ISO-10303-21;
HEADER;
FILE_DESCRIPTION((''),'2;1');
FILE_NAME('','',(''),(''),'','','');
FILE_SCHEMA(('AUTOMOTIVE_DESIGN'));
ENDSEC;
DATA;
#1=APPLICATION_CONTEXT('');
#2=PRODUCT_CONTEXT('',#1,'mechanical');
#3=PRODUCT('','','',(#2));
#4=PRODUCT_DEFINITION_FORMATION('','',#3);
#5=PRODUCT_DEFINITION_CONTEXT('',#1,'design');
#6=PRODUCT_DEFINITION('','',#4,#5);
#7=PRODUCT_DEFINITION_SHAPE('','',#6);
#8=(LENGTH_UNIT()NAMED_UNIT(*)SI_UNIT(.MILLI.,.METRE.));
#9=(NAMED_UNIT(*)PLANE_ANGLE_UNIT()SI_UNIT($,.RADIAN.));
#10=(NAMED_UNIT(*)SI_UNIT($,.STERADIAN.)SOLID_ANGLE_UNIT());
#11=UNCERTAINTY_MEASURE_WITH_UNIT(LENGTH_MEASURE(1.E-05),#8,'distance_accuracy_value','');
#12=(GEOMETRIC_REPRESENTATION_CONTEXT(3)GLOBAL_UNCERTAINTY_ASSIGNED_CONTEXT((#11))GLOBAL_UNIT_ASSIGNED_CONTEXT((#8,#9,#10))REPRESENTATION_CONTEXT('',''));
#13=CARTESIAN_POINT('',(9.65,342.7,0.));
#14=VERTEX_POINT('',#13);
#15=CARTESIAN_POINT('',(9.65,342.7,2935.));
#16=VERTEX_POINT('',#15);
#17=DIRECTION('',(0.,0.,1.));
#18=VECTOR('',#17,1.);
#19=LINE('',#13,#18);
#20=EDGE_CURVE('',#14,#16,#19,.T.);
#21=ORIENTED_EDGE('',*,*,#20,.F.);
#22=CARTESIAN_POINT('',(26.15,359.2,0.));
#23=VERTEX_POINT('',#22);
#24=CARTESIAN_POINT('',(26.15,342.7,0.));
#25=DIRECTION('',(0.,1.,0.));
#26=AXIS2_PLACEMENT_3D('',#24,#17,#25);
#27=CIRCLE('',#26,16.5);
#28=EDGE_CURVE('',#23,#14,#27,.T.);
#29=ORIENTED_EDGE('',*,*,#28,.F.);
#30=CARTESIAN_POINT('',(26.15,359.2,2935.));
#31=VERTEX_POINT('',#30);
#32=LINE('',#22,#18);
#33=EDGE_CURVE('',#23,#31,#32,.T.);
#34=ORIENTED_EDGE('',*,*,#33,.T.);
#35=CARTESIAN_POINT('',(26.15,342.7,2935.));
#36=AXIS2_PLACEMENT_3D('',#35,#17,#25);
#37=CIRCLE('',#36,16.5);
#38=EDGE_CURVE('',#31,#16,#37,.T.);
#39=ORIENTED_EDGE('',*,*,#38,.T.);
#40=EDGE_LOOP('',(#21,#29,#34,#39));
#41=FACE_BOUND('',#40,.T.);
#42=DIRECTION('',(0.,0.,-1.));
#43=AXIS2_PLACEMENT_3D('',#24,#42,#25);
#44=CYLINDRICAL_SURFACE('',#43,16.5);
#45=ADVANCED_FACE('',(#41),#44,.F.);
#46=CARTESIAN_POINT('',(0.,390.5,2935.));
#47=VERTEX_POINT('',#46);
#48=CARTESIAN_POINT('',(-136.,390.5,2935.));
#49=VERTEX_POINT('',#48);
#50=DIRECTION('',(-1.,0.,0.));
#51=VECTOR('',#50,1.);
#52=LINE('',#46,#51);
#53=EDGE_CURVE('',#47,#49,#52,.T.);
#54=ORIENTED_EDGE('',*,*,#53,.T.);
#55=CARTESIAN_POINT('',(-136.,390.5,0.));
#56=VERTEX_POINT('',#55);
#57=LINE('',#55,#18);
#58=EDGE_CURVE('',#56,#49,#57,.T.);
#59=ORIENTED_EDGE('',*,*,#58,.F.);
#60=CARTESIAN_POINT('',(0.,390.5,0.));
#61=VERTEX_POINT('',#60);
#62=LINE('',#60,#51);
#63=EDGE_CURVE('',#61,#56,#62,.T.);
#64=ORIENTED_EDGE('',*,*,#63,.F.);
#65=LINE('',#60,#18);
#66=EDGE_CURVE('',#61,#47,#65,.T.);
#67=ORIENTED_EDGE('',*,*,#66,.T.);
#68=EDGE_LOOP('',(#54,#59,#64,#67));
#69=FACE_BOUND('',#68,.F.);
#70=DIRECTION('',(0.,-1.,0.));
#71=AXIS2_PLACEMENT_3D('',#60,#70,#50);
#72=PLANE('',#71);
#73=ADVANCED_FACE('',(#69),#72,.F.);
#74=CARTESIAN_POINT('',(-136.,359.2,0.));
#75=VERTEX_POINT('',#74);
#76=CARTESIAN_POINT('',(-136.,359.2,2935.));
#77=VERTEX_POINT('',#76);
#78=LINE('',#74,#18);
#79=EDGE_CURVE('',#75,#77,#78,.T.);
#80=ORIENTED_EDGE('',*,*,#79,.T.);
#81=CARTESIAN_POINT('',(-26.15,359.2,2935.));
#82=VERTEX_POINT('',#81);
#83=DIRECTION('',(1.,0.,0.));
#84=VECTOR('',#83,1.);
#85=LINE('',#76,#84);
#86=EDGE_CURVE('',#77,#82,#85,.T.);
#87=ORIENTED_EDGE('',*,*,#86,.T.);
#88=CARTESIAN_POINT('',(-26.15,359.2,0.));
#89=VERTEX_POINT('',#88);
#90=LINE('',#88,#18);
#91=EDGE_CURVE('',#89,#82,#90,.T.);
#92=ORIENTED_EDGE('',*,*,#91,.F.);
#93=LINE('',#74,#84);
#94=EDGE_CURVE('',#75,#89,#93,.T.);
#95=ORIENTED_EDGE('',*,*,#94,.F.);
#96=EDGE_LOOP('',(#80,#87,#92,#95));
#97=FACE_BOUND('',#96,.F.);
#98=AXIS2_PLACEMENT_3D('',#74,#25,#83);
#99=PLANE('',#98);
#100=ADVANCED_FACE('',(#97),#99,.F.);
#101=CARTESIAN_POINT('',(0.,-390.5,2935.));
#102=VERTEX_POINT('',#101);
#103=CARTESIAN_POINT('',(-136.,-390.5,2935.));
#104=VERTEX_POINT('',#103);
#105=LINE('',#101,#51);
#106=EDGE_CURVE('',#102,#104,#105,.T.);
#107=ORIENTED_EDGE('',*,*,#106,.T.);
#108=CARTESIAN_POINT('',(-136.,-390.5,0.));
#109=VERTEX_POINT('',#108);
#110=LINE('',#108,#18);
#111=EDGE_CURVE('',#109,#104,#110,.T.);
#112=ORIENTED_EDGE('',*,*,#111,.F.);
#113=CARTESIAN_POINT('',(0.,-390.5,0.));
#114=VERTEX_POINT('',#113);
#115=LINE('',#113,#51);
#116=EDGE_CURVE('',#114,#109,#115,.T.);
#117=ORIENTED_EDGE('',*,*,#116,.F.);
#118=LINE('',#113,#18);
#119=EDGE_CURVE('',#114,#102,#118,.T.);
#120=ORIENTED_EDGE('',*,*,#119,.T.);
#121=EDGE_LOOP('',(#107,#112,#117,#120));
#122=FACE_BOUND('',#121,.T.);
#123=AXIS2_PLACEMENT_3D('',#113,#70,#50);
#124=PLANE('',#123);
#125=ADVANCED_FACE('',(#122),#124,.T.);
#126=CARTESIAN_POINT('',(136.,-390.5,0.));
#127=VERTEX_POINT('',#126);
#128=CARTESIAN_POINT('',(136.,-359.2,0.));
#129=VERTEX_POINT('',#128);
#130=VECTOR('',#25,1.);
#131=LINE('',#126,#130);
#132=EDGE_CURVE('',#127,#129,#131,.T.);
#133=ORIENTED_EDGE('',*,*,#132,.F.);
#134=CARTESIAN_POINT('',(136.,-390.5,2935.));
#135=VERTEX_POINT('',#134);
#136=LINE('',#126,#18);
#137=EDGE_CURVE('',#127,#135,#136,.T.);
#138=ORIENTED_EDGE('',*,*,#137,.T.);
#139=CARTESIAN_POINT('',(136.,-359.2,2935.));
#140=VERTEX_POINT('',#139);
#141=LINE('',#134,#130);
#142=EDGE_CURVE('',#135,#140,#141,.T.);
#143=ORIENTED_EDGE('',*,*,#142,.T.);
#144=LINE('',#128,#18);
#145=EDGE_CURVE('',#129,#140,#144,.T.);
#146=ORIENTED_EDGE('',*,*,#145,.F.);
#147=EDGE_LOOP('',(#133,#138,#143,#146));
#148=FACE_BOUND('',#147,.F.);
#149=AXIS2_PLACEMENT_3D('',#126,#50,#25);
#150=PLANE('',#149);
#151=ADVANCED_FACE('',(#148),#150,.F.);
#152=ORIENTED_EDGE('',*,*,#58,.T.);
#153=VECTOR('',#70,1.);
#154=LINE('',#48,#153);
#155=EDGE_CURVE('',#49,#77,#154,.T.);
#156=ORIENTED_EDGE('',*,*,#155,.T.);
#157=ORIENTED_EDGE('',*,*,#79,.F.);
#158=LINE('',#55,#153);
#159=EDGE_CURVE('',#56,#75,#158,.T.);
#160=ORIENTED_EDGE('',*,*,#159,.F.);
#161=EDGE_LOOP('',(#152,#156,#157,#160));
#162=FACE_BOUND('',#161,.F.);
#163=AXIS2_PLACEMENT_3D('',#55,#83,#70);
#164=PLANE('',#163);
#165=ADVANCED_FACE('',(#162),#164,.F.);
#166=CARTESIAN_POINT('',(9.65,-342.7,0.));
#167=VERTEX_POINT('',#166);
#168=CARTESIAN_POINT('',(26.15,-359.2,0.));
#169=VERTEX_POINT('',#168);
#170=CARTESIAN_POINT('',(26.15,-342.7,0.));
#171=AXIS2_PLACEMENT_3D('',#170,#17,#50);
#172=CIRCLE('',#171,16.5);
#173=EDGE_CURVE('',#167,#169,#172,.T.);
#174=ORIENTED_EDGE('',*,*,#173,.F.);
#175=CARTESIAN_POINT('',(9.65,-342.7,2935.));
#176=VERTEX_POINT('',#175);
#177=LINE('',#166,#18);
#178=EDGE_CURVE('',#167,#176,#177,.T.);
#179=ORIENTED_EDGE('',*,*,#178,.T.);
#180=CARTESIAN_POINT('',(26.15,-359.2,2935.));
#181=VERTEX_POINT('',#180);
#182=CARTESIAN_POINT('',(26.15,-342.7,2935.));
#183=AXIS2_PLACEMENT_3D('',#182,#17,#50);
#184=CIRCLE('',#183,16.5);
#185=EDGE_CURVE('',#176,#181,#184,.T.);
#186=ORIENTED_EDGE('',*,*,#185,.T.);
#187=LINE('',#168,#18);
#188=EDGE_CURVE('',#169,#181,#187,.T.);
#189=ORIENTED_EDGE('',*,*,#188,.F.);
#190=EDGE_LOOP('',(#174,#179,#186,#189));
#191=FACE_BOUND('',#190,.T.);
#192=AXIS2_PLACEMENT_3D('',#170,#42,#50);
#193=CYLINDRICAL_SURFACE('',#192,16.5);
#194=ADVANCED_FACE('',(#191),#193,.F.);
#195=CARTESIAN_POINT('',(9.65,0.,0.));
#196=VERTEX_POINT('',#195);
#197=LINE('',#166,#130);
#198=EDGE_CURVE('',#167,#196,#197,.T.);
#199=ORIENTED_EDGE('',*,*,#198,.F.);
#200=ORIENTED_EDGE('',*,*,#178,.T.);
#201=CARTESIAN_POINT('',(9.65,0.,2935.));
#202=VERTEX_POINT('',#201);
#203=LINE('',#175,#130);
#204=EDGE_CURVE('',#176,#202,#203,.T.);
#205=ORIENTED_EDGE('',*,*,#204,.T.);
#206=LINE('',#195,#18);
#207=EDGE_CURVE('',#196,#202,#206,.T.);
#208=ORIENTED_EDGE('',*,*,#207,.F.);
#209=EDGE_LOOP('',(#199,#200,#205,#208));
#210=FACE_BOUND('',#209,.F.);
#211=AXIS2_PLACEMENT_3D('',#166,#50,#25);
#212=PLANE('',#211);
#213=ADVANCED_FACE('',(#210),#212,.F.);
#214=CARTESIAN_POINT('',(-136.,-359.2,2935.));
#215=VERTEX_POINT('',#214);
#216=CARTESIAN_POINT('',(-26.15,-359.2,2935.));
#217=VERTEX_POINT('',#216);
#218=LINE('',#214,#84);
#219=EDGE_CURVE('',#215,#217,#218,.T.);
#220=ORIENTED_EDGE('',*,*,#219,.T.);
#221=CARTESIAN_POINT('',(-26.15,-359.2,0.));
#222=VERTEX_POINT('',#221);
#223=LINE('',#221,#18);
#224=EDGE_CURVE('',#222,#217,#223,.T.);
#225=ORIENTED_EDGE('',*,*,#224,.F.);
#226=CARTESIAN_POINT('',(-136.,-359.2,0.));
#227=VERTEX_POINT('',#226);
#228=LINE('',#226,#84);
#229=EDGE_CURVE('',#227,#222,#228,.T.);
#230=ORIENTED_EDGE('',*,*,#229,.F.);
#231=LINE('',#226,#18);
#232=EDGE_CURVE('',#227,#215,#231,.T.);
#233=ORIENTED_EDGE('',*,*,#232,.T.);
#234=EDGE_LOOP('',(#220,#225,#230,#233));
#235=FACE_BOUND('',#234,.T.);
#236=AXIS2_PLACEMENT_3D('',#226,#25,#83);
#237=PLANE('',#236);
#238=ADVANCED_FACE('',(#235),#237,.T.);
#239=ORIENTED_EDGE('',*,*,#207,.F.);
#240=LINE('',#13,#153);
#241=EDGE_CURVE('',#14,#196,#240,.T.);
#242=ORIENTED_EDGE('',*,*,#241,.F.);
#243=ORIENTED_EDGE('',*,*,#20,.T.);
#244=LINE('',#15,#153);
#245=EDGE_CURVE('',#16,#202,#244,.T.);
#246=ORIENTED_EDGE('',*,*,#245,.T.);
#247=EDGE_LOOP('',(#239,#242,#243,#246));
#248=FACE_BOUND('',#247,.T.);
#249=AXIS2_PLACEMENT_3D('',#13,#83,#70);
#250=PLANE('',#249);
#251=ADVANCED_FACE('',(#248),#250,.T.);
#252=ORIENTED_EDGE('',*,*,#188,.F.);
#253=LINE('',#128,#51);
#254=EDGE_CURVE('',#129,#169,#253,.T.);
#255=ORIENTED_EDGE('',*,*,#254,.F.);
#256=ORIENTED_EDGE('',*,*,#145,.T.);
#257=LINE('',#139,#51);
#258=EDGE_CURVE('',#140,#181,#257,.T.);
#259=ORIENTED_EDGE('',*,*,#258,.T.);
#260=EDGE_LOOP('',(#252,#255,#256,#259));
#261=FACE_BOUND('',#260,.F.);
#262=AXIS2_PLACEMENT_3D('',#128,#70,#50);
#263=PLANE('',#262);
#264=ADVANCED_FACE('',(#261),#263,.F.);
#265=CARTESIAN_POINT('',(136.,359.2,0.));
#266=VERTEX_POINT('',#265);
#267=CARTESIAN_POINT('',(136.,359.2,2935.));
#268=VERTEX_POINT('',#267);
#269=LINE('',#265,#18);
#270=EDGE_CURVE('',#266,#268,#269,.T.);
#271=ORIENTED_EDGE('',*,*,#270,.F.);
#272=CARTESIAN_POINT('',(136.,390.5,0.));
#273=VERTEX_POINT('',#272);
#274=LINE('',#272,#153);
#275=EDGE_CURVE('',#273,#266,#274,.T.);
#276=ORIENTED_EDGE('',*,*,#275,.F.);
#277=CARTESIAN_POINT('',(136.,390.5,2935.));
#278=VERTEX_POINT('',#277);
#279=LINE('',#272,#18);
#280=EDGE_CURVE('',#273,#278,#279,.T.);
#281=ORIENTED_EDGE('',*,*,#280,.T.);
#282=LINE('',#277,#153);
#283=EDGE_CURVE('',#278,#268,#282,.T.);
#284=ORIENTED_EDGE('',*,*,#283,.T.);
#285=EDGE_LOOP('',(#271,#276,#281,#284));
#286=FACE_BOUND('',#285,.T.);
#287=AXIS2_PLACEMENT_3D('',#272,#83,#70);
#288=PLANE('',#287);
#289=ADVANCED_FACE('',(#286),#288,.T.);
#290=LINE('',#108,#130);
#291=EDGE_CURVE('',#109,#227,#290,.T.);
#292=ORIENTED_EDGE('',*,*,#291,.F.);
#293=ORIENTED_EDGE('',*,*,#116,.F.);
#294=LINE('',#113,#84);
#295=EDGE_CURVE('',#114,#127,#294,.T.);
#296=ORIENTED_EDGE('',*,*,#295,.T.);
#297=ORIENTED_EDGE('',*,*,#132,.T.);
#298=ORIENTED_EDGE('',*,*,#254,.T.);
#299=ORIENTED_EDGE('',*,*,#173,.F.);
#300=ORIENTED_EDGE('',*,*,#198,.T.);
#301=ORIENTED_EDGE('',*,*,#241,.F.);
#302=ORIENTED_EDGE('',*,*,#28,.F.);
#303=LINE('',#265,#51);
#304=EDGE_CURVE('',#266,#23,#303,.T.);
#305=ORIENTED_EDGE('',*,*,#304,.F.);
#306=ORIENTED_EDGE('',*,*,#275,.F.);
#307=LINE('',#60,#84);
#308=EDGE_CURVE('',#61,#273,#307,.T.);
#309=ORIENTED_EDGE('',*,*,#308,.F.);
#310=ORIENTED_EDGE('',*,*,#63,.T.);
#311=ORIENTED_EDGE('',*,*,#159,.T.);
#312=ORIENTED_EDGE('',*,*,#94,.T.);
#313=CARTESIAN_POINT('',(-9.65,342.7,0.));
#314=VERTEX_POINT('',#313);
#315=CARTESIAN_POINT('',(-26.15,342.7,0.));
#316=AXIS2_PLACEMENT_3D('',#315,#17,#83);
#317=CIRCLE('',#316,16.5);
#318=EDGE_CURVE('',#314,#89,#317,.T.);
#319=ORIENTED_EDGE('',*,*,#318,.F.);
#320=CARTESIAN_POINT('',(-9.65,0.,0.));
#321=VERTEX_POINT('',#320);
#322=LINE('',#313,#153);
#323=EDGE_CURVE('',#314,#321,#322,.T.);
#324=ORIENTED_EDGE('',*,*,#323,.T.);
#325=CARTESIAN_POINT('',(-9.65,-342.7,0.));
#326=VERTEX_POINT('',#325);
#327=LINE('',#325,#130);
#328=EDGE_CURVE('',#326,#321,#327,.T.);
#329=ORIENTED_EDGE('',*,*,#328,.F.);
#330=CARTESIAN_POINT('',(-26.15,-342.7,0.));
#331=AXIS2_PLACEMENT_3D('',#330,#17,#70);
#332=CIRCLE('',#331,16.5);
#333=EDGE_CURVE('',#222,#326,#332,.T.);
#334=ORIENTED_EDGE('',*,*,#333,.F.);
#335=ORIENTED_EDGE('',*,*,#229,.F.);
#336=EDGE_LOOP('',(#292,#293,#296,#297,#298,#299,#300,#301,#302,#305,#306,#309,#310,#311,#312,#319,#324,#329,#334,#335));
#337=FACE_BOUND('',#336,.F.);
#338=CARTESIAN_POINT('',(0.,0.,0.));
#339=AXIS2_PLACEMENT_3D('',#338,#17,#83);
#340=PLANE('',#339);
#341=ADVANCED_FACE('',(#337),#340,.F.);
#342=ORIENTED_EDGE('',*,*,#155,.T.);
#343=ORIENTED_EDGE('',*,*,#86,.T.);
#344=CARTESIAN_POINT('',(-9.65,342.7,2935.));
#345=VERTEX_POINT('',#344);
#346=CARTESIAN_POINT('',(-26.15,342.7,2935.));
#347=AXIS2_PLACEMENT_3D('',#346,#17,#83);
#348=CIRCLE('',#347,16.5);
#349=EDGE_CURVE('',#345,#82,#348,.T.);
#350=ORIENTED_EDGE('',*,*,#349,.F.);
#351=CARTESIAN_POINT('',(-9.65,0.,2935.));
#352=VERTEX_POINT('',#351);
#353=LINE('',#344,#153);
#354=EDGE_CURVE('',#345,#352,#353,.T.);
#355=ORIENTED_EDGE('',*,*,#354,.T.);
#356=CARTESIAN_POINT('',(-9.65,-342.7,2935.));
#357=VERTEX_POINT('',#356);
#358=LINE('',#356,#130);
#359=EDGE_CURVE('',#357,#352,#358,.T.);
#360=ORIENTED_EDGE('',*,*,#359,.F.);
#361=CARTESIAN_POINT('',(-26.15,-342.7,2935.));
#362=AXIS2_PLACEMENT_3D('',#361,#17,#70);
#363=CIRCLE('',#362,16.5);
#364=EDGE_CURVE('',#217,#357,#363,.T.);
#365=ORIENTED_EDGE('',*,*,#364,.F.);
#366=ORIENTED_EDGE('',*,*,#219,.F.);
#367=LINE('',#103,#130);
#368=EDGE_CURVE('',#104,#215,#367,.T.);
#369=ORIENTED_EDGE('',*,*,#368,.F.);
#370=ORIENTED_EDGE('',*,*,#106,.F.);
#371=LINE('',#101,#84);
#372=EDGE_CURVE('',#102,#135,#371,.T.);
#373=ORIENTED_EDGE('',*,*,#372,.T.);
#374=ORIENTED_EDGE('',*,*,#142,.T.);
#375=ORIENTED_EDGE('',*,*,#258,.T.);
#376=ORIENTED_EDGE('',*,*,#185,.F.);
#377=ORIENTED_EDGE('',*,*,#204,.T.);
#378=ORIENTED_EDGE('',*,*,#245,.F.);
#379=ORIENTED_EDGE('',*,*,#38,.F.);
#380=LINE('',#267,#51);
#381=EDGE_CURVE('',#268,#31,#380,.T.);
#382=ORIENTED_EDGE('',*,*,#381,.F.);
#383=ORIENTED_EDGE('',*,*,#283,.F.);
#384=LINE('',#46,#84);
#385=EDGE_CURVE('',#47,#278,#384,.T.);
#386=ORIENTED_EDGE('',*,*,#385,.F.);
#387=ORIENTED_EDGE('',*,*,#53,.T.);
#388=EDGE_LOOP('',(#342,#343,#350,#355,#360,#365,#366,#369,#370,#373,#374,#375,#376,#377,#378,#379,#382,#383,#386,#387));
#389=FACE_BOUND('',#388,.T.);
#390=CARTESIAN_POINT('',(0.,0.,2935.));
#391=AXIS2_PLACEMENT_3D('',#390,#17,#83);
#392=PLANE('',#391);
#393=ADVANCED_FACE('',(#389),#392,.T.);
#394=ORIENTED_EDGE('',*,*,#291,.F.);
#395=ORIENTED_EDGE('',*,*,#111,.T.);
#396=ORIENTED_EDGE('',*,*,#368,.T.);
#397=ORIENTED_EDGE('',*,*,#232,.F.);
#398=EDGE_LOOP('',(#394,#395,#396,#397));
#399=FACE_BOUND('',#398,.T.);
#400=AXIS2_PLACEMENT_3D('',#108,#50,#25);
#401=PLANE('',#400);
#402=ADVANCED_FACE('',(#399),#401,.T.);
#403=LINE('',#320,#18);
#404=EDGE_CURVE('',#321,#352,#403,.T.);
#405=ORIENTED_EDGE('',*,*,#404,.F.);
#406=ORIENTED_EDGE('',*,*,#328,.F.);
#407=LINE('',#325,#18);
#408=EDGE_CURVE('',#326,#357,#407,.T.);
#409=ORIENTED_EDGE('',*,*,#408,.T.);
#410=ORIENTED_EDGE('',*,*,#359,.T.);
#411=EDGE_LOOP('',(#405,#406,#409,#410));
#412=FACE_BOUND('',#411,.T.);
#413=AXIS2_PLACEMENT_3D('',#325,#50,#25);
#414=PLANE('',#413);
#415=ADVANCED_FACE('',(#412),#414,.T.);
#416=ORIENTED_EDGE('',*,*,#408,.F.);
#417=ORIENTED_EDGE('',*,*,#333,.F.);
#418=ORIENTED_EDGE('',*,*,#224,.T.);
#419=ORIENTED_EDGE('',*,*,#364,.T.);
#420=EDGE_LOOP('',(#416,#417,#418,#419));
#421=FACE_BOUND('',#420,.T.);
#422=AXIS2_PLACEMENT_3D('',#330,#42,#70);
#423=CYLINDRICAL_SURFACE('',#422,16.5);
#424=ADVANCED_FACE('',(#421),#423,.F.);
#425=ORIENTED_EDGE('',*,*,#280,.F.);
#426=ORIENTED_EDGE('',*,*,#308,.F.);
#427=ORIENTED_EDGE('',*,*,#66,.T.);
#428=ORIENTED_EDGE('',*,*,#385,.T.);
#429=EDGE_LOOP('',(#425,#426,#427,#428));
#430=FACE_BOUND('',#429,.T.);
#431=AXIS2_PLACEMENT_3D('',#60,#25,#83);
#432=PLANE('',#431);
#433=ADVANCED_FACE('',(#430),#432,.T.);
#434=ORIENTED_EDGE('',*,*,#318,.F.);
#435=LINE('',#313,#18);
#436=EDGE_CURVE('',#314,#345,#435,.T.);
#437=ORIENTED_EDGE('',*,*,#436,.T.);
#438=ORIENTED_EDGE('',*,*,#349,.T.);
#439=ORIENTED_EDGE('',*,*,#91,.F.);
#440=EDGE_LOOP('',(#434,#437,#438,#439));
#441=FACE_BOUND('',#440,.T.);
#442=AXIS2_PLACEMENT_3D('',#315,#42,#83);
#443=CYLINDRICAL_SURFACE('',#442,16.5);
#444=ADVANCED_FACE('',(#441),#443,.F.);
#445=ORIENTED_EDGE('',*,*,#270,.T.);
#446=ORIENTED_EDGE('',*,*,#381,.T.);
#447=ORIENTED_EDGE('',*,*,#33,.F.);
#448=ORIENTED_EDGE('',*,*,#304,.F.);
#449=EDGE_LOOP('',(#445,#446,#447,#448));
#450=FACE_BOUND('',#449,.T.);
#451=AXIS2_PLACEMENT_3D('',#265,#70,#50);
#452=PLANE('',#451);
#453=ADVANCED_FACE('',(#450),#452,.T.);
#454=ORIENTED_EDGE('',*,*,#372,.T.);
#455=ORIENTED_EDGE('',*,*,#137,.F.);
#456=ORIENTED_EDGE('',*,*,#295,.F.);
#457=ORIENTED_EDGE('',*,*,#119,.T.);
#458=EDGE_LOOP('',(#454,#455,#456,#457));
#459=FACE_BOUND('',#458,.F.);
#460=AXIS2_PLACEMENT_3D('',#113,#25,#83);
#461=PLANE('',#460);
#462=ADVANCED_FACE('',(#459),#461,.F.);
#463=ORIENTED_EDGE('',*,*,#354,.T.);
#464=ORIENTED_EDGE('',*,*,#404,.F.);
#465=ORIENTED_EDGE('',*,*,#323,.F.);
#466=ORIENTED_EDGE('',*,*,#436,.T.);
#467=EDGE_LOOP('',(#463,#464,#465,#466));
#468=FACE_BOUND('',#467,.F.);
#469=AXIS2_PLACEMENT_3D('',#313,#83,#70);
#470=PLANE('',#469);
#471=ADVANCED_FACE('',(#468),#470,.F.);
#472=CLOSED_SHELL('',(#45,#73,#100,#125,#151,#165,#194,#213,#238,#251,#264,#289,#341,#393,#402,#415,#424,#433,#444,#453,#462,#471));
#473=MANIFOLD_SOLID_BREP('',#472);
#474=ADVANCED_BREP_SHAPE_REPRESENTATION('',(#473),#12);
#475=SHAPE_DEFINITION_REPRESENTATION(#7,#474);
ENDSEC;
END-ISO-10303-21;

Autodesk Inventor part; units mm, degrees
ref_plane "YZ Plane" through (0, 0, 0) normal (1, 0, 0) x (0, 1, 0)
ref_plane "Start plane" through (0, 0, 0) normal (0, 0, 1) x (1, 0, 0)
ref_plane "End plane" through (0, 0, 2935) normal (0, 0, 1) x (1, 0, 0)
sketch "Sketch" plane through (0, 0, 0) normal (0, 0, 1) x (1, 0, 0)
  line L0 (-136, -390.5) -> (-136, -359.2)
  line L1 (-136, -359.2) -> (-26.15, -359.2)
  line L2 (-9.65, -342.7) -> (-9.65, 0)
  line L3 (-9.65, 0) -> (0, 0) construction
  line L4 (0, 0) -> (0, -390.5) construction
  line L5 (0, -390.5) -> (-136, -390.5)
  line L6 (-60, 0) -> (80, 0) construction
  line L7 (0, -60) -> (0, 80) construction
  line L8 (136, -390.5) -> (136, -359.2)
  line L9 (136, -359.2) -> (26.15, -359.2)
  line L10 (9.65, -342.7) -> (9.65, 0)
  line L11 (9.65, 0) -> (0, 0) construction
  line L12 (0, -390.5) -> (136, -390.5)
  line L13 (-136, 390.5) -> (-136, 359.2)
  line L14 (-136, 359.2) -> (-26.15, 359.2)
  line L15 (-9.65, 342.7) -> (-9.65, 0)
  line L16 (0, 390.5) -> (-136, 390.5)
  line L17 (136, 390.5) -> (136, 359.2)
  line L18 (136, 359.2) -> (26.15, 359.2)
  line L19 (0, 390.5) -> (136, 390.5)
  line L20 (9.65, 342.7) -> (9.65, 0)
  arc A0 (-9.65, 342.7) -> (-26.15, 359.2) centre (-26.15, 342.7) ccw
  arc A1 (26.15, 359.2) -> (9.65, 342.7) centre (26.15, 342.7) ccw
  arc A2 (9.65, -342.7) -> (26.15, -359.2) centre (26.15, -342.7) ccw
  arc A3 (-26.15, -359.2) -> (-9.65, -342.7) centre (-26.15, -342.7) ccw
  line L21 (0, 108) -> (0, -88) construction
  line L22 (-88, 0) -> (108, 0) construction
  point P0 (-9.65, -359.2)
  point P1 (9.65, -359.2)
  point P2 (-9.65, 359.2)
  point P3 (9.65, 359.2)
  dimension "d1" = 390.5
  dimension "d2" = 31.3
  dimension "d3" = 136
  dimension "d4" = 9.65
  dimension "d10" = 16.5
extrude "Body" add sketch "Sketch" along normal up to surface (2935 mm away) from surface at 0
sketch "Sketch4" plane through (0, 0, 0) normal (0, 0, 1) x (1, 0, 0)
  line L0 (0, 0) -> (10, 0)
ref_plane "Work Plane3" through (0, 0, 0) normal (0, -1, 0) x (1, 0, 0)
sketch "Sketch5" plane through (0, 0, 0) normal (0, -1, 0) x (1, 0, 0)
  line L0 (-2, 0) -> (12, 0) projected
  line L1 (-2, 2935) -> (12, 2935) projected
  dimension "d14" = 2935
equation "\"d1\" = 0.5 * G_H"
equation "\"d2\" = G_T1"
equation "\"d3\" = 0.5 * G_W"
equation "\"d4\" = 0.5 * G_T"
equation "\"d10\" = G_IR"
equation "\"d5\" = G_L"
equation "\"G_W\" = 272"
equation "\"G_H\" = 781"
equation "\"G_T\" = 19.3"
equation "\"G_T1\" = 31.3"
equation "\"G_IR\" = 16.5"
equation "\"G_L\" = d14"
equation "\"G_OFFSET_START\" = 0"
equation "\"G_OFFSET_END\" = 0"
equation "\"d12\" = G_OFFSET_END + B_L"
equation "\"B_L\" = 2935"
properties part number "AS 3679-1990 - 760 UB - 244 - 2935" material "Steel, Mild"
